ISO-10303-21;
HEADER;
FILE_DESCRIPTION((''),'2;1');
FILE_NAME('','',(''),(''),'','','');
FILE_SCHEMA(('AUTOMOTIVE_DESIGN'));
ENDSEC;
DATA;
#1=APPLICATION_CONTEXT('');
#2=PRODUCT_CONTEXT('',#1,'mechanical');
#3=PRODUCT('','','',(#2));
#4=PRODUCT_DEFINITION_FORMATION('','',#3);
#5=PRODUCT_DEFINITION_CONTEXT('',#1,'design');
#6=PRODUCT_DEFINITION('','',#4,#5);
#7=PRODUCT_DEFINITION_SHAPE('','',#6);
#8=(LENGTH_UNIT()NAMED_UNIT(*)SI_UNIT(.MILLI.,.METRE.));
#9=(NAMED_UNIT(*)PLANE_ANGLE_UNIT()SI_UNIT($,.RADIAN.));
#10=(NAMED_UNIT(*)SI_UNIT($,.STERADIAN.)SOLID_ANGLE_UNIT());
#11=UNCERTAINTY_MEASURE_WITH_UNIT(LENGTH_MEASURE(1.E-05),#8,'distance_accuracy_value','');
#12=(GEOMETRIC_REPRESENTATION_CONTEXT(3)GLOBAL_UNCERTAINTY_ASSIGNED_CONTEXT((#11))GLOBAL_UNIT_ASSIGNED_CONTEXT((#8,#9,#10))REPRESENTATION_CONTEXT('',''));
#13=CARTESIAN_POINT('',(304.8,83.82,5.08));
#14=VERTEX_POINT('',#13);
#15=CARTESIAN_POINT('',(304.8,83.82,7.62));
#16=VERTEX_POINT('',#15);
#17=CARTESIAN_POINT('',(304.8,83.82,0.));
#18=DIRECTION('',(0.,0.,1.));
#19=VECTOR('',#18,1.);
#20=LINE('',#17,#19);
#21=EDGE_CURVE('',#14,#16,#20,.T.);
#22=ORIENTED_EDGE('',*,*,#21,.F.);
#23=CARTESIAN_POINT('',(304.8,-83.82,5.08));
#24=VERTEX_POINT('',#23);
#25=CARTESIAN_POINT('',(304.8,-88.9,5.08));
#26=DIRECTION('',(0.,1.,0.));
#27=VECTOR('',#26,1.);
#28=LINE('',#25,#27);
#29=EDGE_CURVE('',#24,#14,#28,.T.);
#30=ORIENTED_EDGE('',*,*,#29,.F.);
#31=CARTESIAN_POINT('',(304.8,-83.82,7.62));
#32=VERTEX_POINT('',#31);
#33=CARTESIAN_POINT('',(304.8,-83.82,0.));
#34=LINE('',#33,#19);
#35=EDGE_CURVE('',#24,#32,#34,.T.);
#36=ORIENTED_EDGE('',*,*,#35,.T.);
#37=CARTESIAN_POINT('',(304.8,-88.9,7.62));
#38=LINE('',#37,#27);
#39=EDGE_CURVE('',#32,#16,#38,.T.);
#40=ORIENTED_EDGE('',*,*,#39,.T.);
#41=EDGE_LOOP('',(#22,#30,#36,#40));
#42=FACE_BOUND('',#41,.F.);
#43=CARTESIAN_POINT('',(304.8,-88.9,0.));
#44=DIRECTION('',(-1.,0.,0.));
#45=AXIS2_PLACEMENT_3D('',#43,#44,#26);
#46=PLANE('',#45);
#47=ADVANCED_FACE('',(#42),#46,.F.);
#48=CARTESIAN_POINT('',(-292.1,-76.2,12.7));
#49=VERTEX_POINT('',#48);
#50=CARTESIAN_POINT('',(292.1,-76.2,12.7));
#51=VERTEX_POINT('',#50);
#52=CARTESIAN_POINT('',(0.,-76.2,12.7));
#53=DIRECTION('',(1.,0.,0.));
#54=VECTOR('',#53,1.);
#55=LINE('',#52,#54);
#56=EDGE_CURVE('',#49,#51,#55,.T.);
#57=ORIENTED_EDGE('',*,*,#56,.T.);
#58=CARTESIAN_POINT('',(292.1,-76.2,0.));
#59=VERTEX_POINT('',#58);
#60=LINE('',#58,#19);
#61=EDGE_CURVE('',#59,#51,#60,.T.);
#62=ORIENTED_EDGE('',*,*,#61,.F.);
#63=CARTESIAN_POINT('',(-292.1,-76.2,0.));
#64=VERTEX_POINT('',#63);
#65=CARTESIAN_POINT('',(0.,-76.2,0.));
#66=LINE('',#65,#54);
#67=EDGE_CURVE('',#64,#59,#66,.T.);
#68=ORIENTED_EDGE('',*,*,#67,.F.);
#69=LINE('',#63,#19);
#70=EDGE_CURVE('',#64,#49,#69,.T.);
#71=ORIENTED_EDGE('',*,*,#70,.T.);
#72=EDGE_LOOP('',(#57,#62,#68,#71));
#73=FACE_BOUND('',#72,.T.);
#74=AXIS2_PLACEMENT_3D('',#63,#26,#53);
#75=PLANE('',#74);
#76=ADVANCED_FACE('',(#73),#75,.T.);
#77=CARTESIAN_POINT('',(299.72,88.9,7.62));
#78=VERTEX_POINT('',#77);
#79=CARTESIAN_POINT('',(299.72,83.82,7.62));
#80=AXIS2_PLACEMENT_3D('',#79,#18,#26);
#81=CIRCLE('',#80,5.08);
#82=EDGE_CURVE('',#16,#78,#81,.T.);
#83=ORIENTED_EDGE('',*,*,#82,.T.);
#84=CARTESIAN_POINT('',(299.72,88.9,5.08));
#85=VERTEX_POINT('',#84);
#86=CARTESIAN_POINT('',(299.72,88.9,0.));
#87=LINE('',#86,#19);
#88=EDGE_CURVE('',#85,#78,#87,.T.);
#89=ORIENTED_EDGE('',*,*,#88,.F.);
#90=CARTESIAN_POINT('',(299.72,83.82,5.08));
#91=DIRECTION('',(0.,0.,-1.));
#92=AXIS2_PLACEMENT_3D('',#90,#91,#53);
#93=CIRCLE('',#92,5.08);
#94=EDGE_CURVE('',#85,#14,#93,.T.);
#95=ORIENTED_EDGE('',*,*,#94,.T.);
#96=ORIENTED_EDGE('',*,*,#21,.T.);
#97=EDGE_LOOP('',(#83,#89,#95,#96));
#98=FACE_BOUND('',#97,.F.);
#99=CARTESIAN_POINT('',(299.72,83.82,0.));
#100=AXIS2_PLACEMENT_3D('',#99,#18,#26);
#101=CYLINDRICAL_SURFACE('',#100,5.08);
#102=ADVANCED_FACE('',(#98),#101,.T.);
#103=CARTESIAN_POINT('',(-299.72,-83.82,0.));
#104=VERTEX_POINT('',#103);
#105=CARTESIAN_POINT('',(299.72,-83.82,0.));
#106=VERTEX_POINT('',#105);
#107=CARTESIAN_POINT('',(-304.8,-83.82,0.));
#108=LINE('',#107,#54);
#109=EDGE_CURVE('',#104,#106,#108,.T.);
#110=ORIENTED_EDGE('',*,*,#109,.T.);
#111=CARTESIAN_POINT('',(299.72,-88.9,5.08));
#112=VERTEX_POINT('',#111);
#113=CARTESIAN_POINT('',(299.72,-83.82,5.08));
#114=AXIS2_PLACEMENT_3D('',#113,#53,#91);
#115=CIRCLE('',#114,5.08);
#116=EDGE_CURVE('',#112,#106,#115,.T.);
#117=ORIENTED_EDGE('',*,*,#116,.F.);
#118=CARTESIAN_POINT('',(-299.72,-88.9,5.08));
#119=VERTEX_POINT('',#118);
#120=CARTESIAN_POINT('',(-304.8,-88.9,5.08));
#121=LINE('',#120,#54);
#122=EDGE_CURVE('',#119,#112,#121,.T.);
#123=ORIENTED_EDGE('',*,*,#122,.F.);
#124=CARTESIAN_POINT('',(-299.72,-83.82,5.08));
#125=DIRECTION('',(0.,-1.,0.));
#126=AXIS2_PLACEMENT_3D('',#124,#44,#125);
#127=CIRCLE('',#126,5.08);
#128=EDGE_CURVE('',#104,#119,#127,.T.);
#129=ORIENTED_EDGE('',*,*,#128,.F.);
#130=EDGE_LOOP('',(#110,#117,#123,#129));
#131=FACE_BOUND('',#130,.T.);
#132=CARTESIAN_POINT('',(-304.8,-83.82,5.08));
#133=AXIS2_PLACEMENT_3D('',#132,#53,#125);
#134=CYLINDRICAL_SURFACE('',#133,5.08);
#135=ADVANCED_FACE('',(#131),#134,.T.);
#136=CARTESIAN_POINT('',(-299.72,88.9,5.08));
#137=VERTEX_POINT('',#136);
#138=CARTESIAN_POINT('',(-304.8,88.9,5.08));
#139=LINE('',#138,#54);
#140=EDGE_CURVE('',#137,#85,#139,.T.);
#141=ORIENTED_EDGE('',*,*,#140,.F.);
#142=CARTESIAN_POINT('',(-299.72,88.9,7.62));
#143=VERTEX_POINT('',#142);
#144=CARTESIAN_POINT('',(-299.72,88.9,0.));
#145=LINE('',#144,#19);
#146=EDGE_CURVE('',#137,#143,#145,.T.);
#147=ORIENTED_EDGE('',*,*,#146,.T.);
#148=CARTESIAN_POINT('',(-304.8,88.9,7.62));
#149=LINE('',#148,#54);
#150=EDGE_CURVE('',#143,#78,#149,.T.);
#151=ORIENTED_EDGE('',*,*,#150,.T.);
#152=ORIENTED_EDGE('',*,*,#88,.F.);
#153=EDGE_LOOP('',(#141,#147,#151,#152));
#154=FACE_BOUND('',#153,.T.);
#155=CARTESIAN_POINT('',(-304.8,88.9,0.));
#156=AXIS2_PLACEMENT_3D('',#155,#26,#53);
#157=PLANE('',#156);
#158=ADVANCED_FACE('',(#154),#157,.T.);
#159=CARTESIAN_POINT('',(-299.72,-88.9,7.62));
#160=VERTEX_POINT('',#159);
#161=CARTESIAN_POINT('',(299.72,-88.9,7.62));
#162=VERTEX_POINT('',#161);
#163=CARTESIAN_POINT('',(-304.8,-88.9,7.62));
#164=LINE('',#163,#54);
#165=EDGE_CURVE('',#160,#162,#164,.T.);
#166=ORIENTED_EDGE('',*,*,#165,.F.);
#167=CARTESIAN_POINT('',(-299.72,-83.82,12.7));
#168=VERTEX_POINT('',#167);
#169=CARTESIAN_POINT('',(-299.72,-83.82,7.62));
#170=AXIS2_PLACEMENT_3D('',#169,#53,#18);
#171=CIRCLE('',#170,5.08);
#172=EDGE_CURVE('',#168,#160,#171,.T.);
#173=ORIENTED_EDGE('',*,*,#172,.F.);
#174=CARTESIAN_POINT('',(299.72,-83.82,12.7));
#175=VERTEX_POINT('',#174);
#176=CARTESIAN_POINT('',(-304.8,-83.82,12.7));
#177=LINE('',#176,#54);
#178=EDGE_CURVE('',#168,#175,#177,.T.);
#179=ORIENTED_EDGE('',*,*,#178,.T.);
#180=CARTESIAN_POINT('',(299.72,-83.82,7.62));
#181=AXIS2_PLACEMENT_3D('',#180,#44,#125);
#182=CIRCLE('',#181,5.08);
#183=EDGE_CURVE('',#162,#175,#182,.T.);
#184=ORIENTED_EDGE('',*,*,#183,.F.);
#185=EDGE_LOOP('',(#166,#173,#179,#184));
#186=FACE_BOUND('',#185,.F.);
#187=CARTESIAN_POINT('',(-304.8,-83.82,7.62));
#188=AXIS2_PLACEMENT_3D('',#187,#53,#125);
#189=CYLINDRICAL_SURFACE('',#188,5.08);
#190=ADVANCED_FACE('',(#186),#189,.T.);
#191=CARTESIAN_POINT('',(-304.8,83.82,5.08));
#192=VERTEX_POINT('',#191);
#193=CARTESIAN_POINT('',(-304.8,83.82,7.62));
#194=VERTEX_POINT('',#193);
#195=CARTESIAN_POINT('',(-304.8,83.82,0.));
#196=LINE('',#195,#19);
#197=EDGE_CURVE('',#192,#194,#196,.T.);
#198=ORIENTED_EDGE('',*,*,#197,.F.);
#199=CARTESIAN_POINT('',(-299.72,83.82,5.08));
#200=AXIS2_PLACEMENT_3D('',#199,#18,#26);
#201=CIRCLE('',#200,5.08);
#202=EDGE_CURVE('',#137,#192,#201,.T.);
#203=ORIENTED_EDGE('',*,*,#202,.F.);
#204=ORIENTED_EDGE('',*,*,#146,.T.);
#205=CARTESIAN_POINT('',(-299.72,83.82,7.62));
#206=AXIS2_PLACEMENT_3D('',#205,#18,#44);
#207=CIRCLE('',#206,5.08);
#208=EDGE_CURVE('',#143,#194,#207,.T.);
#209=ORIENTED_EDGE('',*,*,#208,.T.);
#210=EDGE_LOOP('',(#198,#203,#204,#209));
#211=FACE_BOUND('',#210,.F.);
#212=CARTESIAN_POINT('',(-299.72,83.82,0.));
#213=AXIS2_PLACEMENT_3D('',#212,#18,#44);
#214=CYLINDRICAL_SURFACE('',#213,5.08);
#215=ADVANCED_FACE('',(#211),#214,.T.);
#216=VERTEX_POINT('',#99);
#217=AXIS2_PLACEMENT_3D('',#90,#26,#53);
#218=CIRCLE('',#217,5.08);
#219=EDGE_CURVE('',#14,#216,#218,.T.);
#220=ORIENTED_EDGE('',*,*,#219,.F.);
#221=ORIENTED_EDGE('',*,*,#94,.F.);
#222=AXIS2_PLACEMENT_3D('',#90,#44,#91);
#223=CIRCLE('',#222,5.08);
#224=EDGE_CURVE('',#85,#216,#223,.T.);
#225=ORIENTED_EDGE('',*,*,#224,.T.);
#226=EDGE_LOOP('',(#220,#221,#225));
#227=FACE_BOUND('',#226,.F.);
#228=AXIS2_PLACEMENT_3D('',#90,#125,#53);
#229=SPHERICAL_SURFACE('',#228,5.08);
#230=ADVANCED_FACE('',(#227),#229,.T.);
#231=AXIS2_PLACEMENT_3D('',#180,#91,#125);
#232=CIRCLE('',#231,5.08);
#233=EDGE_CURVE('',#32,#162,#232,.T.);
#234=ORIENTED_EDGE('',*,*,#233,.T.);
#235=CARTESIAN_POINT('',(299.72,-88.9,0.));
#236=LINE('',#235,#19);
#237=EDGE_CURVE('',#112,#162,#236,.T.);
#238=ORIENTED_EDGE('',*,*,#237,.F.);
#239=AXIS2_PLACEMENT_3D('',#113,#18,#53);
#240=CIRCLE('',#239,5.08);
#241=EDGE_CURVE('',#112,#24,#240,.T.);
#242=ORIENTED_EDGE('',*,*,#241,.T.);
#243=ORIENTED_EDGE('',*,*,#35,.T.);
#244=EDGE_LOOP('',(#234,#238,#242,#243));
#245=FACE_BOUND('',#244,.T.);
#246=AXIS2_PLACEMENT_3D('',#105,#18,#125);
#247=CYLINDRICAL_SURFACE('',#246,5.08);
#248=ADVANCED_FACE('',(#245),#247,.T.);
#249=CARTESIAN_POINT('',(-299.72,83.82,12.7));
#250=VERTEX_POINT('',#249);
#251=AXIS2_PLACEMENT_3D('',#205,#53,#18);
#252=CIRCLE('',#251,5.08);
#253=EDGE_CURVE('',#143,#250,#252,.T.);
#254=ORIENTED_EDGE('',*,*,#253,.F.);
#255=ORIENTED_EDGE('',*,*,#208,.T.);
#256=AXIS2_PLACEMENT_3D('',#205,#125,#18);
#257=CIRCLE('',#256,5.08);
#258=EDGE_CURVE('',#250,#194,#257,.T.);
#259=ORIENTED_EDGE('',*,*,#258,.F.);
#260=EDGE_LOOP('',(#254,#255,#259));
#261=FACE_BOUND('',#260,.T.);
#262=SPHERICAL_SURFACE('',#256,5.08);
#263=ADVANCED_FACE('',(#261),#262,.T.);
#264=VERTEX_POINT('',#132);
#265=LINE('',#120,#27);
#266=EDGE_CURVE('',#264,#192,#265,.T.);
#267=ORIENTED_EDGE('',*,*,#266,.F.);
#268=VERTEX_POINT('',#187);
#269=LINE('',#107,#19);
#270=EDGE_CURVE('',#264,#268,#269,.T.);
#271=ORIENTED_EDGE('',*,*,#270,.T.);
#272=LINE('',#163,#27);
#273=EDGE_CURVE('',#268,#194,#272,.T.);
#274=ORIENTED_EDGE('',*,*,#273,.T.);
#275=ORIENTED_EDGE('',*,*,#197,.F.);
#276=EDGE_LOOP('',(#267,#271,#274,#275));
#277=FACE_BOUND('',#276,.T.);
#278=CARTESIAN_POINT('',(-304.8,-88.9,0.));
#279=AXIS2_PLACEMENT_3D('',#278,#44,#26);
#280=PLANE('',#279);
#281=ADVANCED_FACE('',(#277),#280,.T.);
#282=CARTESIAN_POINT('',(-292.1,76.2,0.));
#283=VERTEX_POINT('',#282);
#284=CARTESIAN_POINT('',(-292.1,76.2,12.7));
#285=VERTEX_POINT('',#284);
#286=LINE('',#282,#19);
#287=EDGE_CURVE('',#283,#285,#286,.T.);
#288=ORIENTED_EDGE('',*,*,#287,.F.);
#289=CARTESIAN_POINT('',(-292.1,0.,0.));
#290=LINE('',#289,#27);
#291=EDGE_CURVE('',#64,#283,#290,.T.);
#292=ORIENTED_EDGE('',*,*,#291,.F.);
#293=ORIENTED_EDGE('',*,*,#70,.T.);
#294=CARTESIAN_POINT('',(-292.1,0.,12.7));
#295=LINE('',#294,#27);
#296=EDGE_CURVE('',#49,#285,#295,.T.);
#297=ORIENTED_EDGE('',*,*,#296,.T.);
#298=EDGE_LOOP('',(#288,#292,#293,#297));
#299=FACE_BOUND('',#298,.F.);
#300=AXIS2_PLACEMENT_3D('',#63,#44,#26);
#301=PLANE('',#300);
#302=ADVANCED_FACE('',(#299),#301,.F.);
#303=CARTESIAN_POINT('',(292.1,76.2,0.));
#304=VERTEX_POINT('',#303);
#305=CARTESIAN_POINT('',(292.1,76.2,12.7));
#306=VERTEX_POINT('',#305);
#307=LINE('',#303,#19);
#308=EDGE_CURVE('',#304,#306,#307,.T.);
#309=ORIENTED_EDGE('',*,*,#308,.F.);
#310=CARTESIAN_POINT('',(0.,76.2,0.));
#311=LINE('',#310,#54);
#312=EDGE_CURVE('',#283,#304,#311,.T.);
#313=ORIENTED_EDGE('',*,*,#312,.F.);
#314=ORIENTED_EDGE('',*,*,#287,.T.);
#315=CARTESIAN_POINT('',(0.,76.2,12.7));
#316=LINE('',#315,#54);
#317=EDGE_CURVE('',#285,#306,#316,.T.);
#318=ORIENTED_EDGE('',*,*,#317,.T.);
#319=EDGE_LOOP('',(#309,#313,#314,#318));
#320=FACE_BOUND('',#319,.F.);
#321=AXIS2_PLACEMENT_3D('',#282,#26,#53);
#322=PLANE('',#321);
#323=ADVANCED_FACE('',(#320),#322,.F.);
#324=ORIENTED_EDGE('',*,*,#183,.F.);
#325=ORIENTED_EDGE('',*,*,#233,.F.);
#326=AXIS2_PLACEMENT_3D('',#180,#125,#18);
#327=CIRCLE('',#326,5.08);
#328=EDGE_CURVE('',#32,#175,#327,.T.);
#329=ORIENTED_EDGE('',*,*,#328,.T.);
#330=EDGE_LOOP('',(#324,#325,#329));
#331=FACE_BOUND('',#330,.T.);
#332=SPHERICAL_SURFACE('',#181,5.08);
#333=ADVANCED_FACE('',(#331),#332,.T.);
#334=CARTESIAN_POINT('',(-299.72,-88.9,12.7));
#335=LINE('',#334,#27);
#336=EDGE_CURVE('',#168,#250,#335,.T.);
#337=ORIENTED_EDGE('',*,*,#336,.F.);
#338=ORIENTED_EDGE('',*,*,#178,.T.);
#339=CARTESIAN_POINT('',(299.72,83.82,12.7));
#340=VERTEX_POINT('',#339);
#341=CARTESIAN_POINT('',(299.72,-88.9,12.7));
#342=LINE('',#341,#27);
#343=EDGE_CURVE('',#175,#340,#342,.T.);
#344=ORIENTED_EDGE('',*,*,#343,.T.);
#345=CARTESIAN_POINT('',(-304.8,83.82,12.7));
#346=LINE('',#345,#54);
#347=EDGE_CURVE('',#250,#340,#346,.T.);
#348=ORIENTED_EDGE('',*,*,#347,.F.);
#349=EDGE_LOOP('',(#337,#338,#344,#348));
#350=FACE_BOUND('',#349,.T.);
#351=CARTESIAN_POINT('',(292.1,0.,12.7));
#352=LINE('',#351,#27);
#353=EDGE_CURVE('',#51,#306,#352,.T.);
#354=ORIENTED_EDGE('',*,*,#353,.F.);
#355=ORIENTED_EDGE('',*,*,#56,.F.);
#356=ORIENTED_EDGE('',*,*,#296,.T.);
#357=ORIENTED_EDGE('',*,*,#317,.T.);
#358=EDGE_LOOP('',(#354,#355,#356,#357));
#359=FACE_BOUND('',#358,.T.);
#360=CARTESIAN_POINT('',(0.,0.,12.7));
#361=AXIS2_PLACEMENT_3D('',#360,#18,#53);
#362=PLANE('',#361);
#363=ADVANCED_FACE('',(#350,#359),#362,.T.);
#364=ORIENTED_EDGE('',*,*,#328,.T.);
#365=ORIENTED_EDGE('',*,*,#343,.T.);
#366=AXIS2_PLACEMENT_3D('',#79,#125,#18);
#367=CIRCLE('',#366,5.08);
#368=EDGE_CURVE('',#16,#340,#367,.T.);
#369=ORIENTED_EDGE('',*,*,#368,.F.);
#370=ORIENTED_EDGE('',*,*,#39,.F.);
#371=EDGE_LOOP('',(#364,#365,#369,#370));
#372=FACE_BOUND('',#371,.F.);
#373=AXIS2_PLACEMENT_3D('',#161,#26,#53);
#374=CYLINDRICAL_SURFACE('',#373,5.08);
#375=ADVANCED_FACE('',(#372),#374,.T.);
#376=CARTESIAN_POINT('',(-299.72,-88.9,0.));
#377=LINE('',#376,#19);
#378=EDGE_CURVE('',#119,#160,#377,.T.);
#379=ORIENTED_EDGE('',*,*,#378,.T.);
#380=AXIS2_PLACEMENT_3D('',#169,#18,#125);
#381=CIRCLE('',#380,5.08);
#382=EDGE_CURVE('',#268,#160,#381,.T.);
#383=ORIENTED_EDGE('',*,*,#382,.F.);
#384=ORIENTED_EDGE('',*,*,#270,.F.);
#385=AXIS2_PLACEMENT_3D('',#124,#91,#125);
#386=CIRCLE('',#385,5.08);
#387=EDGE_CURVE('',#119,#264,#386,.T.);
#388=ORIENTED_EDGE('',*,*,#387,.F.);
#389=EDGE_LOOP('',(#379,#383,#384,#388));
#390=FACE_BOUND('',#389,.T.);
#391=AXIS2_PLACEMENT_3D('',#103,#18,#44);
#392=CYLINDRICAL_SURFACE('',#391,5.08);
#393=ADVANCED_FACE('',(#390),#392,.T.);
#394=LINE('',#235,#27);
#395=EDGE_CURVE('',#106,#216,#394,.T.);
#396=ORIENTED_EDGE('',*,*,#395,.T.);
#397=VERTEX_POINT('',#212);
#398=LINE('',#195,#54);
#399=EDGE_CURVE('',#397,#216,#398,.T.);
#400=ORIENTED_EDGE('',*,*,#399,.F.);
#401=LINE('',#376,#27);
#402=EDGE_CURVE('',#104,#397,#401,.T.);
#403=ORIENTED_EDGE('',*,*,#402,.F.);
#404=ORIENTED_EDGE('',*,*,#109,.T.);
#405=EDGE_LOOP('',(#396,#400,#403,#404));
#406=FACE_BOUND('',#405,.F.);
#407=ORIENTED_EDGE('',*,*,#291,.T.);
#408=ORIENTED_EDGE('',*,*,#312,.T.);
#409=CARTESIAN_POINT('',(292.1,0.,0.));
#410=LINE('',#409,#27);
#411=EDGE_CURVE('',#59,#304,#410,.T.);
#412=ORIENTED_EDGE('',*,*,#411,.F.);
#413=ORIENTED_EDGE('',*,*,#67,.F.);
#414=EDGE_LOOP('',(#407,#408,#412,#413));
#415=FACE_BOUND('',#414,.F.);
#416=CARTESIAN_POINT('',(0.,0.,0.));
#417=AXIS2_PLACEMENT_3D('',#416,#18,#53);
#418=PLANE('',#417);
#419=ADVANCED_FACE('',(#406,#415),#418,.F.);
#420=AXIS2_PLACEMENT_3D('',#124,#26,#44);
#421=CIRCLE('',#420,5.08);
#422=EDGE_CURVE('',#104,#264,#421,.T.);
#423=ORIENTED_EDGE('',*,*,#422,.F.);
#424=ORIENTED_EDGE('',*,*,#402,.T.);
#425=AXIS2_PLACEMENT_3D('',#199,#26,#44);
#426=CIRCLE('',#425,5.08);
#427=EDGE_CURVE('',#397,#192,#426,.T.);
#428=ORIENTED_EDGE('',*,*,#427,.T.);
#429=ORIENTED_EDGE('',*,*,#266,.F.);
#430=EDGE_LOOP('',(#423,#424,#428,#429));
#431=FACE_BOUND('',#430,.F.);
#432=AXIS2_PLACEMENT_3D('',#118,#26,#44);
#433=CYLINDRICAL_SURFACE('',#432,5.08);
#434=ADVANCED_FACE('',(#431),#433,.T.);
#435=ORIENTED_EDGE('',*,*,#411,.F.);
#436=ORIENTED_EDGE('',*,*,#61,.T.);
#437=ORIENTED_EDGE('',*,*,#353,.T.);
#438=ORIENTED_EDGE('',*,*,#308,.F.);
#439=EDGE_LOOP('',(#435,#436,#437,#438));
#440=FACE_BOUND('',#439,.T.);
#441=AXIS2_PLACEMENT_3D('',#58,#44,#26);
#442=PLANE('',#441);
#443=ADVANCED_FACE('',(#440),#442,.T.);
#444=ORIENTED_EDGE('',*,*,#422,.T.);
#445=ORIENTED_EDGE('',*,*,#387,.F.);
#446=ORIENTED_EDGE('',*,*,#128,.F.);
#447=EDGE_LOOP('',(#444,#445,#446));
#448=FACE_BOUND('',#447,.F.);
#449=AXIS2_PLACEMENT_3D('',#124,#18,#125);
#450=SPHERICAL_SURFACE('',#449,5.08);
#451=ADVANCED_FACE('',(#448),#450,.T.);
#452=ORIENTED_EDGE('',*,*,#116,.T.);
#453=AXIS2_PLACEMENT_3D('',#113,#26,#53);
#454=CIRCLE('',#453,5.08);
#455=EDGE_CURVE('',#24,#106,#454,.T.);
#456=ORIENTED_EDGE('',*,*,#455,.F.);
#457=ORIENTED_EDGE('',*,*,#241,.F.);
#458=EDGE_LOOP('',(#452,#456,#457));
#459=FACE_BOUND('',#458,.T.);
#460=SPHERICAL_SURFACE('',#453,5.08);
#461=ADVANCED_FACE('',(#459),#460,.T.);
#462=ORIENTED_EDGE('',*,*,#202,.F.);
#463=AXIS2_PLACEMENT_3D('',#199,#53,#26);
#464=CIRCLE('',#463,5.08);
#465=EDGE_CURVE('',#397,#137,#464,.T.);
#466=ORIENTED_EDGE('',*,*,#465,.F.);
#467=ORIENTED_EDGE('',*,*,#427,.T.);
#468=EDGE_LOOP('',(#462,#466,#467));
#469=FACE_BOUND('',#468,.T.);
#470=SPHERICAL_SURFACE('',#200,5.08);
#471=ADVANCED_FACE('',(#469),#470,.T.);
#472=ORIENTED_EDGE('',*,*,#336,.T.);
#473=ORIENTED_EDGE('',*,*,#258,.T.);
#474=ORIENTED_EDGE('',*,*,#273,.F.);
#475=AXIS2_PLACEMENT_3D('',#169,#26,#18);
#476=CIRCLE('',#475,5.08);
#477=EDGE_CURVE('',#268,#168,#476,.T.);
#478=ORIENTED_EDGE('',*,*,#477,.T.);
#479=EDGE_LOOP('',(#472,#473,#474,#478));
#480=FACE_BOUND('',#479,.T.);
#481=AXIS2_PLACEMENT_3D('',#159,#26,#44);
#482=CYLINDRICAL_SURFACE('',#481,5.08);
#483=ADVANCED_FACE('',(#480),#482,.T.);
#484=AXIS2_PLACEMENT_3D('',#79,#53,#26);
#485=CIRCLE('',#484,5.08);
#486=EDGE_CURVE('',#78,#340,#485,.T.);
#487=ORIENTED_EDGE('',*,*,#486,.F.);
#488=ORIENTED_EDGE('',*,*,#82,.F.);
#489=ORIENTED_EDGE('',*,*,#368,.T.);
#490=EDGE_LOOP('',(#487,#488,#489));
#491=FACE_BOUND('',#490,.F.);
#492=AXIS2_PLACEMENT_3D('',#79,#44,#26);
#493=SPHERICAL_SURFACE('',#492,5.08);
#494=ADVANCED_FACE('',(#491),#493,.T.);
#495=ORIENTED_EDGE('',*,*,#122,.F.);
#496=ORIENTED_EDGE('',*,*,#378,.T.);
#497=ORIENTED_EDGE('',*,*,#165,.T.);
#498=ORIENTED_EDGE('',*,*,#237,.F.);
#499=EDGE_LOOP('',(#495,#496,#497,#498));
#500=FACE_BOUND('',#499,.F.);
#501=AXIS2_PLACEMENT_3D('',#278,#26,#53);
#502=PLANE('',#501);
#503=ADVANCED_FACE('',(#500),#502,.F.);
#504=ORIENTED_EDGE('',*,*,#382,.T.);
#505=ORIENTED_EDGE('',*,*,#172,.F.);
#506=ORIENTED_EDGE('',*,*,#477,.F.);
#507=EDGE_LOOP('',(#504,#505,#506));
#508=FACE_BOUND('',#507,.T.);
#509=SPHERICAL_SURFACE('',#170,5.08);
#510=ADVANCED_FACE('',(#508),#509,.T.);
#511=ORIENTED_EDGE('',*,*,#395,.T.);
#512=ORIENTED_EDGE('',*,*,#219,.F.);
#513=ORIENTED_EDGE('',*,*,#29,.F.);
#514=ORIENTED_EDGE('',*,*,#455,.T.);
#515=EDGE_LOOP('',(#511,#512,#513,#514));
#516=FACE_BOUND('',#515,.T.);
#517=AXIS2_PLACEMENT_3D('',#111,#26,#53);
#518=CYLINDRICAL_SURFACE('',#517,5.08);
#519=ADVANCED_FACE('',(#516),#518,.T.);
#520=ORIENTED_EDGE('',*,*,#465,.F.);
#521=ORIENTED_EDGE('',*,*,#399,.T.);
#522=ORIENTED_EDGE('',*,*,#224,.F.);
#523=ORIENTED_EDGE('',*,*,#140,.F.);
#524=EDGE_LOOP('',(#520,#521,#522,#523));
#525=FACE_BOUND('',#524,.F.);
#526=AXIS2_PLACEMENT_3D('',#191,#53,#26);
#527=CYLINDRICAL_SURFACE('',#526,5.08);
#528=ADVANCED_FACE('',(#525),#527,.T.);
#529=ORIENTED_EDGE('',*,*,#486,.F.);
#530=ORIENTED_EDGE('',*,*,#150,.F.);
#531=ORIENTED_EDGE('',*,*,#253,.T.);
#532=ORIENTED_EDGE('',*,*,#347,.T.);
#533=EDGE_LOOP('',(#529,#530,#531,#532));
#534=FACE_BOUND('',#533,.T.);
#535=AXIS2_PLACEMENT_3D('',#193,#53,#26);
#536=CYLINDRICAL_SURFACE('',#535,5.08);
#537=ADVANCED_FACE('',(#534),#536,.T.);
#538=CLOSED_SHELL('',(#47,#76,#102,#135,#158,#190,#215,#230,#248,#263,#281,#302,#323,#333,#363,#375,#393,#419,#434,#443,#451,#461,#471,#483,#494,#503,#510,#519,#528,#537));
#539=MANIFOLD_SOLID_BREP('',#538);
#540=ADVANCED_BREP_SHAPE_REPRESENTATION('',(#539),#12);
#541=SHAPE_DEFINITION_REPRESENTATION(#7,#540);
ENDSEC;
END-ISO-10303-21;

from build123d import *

# Parameters (mm, degrees)
F0_W     = 609.6
F0_H     = 177.8
F0_W_2   = 584.2
F0_H_2   = 152.4
F1_DEPTH = 12.7
F2_R     = 5.08


with BuildPart() as f1:
    # F0 (on Top) → F1 (new body)
    with BuildSketch(Plane.XY):
        Rectangle(F0_W, F0_H)
        Rectangle(F0_W_2, F0_H_2, mode=Mode.SUBTRACT)
    extrude(amount=F1_DEPTH)

    # F2
    f2_edges = [f1.edges().sort_by_distance(p)[0] for p in [
        (0, -88.9, 12.7),
        (-304.8, 0, 12.7),
        (304.8, 0, 0),
        (0, 88.9, 12.7),
        (304.8, 88.9, 6.35),
        (304.8, -88.9, 6.35),
        (-304.8, -88.9, 6.35),
        (-304.8, 88.9, 6.35),
        (304.8, 0, 12.7),
        (0, -88.9, 0),
        (0, 88.9, 0),
        (-304.8, 0, 0),
    ]]
    fillet(f2_edges, radius=F2_R)


solid = f1.part
